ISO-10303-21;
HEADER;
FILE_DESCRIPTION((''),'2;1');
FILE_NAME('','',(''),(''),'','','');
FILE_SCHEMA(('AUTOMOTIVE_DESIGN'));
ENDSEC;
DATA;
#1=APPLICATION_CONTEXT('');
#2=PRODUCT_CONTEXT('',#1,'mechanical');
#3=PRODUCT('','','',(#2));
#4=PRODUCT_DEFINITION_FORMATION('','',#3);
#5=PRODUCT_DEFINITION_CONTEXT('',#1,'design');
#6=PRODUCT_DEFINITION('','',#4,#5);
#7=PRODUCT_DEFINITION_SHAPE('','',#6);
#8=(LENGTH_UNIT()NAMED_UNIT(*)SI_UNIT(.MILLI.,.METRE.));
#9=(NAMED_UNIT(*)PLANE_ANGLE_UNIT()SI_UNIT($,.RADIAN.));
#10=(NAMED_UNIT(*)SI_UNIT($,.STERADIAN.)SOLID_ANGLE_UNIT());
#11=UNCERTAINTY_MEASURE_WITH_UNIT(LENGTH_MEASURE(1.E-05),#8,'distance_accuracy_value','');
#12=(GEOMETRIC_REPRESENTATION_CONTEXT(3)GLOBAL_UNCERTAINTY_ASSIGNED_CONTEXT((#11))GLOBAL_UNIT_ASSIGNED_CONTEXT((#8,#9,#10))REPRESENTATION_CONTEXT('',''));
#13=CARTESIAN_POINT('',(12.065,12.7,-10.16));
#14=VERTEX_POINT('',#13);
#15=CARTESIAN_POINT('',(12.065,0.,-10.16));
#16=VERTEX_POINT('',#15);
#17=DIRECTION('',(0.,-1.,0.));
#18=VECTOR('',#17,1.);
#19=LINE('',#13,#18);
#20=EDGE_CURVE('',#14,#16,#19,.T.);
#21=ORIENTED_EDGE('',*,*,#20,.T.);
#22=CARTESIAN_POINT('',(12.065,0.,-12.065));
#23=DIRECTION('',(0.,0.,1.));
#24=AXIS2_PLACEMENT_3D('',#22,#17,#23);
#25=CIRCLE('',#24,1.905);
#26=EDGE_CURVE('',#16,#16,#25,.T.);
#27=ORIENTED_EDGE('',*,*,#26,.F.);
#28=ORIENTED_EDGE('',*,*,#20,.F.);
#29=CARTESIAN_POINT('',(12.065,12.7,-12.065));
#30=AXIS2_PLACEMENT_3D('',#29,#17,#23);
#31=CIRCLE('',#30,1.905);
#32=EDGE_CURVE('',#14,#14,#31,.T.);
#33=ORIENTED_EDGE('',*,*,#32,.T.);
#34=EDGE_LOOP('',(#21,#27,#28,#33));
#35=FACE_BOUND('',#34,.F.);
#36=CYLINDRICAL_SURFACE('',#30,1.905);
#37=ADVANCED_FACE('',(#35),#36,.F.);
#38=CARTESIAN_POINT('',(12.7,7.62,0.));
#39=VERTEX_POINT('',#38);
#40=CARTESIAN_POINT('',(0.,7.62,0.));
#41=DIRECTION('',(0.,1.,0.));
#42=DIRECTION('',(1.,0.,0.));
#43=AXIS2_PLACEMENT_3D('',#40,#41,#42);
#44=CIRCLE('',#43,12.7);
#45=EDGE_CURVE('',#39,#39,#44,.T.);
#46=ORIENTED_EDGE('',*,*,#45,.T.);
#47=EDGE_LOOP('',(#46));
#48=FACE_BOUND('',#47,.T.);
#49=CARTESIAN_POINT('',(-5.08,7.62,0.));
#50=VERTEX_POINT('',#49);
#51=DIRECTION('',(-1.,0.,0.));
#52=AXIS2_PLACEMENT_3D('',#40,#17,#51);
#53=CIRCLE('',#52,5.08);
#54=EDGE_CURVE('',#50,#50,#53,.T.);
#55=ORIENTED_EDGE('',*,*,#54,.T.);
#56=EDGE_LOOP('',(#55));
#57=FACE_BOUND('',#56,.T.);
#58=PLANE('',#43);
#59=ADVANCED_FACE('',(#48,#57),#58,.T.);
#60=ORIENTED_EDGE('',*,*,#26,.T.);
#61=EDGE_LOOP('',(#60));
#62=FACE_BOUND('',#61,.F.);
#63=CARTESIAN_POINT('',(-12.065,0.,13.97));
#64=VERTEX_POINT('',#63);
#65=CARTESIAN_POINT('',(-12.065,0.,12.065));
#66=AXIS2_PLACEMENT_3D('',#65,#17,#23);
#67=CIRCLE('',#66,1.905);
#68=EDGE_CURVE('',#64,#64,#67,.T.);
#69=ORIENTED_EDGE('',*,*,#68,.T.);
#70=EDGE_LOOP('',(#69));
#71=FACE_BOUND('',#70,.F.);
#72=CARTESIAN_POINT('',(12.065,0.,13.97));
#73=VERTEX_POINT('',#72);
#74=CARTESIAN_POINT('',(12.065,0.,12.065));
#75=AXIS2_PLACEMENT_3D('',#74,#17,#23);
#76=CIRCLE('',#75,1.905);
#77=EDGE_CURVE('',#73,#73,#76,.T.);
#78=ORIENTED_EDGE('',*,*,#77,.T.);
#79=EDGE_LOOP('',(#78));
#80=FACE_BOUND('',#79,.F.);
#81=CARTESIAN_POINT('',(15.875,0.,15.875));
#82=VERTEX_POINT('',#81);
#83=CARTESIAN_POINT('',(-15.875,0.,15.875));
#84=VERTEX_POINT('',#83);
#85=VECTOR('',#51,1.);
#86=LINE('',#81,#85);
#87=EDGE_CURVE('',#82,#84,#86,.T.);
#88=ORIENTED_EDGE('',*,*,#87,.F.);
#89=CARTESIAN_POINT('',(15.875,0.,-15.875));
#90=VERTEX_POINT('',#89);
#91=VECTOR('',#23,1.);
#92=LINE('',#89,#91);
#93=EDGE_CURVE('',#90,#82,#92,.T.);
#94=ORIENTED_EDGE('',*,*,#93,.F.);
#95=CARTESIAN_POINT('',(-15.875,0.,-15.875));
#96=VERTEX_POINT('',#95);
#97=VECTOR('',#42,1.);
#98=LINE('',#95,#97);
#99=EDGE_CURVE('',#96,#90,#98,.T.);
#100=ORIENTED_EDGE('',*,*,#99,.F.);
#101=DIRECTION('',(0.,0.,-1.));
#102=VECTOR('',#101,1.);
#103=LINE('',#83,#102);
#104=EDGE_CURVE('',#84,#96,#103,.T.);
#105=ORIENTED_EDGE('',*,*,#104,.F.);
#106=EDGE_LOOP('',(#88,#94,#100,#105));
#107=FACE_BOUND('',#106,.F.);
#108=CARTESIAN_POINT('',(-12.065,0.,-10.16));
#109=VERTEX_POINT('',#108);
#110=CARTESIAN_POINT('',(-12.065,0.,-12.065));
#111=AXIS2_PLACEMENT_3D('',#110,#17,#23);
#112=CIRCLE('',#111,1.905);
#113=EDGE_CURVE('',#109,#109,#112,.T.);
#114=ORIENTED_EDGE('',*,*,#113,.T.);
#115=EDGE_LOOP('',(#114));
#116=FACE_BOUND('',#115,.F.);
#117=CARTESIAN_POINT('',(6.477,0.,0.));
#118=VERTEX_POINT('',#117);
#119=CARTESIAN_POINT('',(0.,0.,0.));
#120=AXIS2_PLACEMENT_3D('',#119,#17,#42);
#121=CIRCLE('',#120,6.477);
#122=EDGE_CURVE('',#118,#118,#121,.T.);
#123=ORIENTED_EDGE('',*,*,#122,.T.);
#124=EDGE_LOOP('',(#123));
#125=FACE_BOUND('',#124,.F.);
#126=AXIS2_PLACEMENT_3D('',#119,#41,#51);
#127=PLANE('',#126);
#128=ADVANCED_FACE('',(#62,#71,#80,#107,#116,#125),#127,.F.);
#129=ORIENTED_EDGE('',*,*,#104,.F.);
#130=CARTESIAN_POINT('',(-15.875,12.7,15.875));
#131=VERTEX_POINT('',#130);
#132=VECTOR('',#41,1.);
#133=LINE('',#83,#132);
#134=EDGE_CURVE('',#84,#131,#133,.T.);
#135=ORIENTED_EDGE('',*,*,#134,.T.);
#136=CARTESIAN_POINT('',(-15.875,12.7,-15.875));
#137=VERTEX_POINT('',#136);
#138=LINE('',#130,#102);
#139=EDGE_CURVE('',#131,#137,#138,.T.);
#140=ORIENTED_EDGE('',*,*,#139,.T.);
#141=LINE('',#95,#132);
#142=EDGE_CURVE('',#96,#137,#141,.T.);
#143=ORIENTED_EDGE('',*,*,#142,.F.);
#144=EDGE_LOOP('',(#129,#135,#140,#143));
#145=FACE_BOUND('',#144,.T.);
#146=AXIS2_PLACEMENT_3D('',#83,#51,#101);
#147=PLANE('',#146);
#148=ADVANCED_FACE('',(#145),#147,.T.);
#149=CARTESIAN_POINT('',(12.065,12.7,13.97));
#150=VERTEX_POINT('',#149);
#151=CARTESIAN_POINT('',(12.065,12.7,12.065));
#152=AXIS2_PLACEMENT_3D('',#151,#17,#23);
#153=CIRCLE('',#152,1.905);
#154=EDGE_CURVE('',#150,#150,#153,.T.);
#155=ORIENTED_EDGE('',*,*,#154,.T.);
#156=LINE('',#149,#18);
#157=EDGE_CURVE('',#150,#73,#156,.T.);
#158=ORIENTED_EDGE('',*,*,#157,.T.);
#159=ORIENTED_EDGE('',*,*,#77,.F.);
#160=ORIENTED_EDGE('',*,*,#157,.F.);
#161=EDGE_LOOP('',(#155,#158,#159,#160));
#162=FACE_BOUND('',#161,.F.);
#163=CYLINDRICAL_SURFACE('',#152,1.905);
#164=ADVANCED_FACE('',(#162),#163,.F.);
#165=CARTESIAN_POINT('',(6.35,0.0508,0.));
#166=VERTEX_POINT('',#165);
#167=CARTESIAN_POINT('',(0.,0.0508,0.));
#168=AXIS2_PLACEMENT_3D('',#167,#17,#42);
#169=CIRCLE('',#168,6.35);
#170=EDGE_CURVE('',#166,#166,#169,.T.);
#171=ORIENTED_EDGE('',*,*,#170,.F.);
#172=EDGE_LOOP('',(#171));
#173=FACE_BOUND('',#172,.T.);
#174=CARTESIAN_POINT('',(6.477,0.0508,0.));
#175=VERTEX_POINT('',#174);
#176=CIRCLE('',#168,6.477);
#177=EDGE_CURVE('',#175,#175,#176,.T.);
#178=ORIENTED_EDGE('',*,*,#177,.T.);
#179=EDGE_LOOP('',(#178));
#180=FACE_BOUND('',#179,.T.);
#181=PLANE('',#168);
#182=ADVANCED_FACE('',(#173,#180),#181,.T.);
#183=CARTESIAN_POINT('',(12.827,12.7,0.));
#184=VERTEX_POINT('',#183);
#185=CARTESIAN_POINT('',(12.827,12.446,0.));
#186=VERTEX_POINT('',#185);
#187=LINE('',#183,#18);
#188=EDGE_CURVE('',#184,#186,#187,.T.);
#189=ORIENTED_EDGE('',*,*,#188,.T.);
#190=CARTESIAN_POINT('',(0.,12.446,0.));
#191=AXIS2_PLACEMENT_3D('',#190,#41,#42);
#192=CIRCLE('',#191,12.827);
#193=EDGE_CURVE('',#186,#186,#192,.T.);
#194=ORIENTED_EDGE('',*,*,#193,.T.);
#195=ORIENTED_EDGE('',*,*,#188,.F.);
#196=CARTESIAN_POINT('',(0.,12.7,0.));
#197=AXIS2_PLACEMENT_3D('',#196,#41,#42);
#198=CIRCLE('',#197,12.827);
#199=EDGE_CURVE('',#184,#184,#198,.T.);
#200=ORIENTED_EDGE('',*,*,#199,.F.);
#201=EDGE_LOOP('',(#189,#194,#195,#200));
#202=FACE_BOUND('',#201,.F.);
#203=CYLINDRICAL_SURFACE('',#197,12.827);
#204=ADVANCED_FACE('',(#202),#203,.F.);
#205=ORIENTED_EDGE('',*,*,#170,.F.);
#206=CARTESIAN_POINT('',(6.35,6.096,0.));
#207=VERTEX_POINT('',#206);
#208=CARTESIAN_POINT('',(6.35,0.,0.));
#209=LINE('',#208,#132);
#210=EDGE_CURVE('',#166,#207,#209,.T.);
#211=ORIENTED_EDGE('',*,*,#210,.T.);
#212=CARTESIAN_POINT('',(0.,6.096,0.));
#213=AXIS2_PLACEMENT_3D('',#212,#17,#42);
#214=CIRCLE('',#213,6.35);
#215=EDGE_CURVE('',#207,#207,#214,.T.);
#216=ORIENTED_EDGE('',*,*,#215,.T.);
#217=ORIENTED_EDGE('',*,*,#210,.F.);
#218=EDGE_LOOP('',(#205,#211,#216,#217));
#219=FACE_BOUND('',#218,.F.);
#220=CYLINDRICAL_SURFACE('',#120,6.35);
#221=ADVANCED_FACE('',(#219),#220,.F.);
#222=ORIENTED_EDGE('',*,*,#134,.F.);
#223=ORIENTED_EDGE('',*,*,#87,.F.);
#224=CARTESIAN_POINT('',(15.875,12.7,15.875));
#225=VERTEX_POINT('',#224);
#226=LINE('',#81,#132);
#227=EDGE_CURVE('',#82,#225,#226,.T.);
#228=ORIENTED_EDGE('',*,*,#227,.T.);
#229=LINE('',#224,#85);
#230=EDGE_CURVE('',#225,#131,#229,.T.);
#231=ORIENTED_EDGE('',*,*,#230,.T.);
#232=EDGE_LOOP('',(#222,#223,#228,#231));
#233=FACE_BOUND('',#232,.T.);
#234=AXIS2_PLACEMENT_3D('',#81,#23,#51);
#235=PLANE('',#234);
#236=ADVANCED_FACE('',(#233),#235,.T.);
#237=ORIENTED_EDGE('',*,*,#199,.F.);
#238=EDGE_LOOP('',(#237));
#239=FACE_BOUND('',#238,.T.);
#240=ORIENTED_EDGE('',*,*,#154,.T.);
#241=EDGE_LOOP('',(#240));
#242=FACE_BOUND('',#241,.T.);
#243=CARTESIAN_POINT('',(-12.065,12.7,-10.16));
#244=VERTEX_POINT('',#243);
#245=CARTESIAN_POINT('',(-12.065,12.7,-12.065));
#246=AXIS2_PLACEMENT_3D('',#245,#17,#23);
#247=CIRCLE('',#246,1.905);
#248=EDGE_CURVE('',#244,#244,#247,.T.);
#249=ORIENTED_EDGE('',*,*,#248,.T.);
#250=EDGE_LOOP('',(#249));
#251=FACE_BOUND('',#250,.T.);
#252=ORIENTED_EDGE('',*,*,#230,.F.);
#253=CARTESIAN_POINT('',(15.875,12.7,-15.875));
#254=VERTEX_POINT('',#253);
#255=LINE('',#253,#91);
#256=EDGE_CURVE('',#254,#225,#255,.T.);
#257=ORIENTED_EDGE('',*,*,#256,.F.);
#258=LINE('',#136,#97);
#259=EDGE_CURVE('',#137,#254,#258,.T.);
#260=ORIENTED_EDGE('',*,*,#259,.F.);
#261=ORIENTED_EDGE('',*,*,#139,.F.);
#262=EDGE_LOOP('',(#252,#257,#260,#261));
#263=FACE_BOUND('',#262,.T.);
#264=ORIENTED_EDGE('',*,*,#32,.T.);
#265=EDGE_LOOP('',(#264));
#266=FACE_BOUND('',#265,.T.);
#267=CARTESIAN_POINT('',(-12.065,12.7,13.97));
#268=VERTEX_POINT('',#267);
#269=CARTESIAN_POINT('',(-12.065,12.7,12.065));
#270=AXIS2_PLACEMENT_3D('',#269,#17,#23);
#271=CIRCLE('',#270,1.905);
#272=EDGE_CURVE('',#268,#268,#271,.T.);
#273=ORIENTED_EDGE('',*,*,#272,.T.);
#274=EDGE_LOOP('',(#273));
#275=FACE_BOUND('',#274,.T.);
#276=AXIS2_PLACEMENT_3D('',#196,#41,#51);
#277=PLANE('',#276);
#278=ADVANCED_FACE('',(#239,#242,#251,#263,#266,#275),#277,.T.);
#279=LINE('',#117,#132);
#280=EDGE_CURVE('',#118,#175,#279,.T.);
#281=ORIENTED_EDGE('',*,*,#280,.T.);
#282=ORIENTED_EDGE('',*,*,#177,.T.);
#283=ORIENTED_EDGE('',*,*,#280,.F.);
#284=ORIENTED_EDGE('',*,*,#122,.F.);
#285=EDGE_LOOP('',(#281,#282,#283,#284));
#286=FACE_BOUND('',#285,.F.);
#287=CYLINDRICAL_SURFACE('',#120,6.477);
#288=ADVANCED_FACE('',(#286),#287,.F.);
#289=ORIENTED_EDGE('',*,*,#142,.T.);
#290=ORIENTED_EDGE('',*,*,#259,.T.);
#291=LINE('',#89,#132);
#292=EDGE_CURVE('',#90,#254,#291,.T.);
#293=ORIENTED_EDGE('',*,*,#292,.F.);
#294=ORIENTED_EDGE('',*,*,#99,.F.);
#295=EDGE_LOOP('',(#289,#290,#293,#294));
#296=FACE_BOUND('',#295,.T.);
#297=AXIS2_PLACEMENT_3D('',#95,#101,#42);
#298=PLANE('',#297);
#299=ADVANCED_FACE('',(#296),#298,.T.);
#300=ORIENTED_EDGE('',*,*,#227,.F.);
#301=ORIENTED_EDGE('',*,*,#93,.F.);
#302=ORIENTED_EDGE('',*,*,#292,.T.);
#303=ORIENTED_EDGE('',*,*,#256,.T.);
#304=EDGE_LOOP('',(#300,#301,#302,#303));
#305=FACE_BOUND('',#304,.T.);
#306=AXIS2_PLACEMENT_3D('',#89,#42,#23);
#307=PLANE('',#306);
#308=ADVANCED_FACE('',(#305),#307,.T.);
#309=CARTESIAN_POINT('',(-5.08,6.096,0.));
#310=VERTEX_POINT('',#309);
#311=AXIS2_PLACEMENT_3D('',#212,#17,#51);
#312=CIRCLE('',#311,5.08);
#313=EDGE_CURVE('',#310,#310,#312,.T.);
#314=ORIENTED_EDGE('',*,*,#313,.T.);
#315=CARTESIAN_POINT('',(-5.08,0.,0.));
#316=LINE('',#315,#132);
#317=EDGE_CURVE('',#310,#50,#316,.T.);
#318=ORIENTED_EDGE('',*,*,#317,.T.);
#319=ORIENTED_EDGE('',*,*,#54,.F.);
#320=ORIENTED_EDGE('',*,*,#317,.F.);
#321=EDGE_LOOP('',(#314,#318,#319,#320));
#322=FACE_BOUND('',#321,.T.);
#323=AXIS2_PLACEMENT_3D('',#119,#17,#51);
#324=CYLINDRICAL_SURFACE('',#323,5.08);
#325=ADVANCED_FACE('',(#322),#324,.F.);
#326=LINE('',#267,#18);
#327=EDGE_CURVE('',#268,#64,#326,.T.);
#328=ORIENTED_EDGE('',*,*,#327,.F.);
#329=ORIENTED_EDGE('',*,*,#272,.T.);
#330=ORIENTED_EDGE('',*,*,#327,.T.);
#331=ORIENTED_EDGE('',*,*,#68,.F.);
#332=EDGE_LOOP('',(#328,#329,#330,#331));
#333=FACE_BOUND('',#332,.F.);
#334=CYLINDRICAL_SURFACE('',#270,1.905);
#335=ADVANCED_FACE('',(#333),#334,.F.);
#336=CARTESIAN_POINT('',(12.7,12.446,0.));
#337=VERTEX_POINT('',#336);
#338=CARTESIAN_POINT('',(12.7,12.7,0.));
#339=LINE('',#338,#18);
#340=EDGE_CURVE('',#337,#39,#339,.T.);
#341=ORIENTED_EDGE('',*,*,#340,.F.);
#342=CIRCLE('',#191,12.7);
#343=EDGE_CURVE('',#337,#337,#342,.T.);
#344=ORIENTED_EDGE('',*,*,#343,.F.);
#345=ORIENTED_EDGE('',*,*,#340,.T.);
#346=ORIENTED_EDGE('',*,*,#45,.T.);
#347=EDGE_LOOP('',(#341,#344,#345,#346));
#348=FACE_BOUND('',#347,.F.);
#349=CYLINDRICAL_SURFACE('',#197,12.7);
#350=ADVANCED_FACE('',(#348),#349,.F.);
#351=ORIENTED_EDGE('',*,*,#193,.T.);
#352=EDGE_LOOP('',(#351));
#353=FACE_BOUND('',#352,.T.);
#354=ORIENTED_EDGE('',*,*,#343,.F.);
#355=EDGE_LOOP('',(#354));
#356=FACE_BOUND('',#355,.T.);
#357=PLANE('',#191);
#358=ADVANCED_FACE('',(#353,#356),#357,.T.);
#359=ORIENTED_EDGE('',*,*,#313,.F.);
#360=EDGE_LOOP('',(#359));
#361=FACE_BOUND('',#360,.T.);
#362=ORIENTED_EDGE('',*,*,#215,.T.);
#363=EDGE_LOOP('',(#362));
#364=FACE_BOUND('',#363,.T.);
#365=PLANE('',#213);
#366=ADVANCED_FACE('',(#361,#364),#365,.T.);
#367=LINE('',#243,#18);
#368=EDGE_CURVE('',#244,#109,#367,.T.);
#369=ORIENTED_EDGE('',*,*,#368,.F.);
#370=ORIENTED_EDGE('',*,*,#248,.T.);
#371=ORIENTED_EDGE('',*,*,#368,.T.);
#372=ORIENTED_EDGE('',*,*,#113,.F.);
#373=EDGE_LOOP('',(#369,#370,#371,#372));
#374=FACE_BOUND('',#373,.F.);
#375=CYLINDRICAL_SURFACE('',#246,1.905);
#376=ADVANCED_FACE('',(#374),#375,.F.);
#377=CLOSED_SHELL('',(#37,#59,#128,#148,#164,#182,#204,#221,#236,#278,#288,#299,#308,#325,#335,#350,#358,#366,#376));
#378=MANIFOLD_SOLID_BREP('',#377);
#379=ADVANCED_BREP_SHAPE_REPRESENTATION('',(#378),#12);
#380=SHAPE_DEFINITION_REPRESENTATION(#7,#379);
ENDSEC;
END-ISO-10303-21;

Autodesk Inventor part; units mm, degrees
ref_plane "YZ Plane" through (0, 0, 0) normal (1, 0, 0) x (0, 1, 0)
ref_plane "XZ Plane" through (0, 0, 0) normal (0, 1, 0) x (-1, 0, 0)
ref_plane "XY Plane" through (0, 0, 0) normal (0, 0, 1) x (1, 0, 0)
sketch "Sketch1" plane through (0, 0, 0) normal (0, 1, 0) x (-1, 0, 0)
  circle A0 centre (0, 0) radius 5.08
  line L0 (-15.875, 15.875) -> (15.875, 15.875)
  line L1 (15.875, 15.875) -> (15.875, -15.875)
  line L2 (15.875, -15.875) -> (-15.875, -15.875)
  line L3 (-15.875, -15.875) -> (-15.875, 15.875)
  line L4 (-15.875, 15.875) -> (15.875, -15.875) construction
  line L5 (15.875, 15.875) -> (-15.875, -15.875) construction
  dimension "d0" = 10.16
  dimension "d1" = 31.75
  dimension "d2" = 31.75
extrude "Extrusion1" add sketch "Sketch1" along normal blind 12.7
sketch "Sketch2" plane through (0, 12.7, 0) normal (0, 1, 0) x (1, 0, 0)
  circle A0 centre (0, 0) radius 12.7
  dimension "d5" = 25.4
extrude "Extrusion2" cut sketch "Sketch2" against normal blind 5.08
sketch "Sketch3" plane through (0, 12.7, 0) normal (0, 1, 0) x (1, 0, 0)
  line L0 (-12.065, 12.065) -> (12.065, 12.065) construction
  line L1 (12.065, 12.065) -> (12.065, -12.065) construction
  line L2 (12.065, -12.065) -> (-12.065, -12.065) construction
  line L3 (-12.065, -12.065) -> (-12.065, 12.065) construction
  line L4 (-12.065, 12.065) -> (12.065, -12.065) construction
  line L5 (12.065, 12.065) -> (-12.065, -12.065) construction
  line L6 (15.875, -15.875) -> (15.875, 15.875) projected
  line L7 (-15.875, -15.875) -> (15.875, -15.875) projected
  point P0 (0, 0)
  dimension "d8" = 3.81
  dimension "d9" = 3.81
hole "Hole1" at (12.065, 12.7, 12.065) at (-12.065, 12.7, 12.065) at (-12.065, 12.7, -12.065) at (12.065, 12.7, -12.065) direction (0, -1, 0) diameter 3.81 end through all clearance for "Flat Head Machine Screw (82)" size "#6" standard "Ansi Unified Screw Threads"
sketch "Sketch4" plane through (0, 12.7, 0) normal (0, 1, 0) x (1, 0, 0)
  circle A0 centre (0, 0) radius 12.827
  dimension "d17" = 25.654
extrude "Extrusion3" cut sketch "Sketch4" against normal blind 0.254
sketch "Sketch5" plane through (0, 0, 0) normal (0, -1, 0) x (1, 0, 0)
  circle A0 centre (0, 0) radius 6.477
  dimension "d20" = 12.954
extrude "Extrusion4" cut sketch "Sketch5" against normal blind 0.0508
sketch "Sketch6" plane through (0, 0, 0) normal (0, -1, 0) x (1, 0, 0)
  circle A0 centre (0, 0) radius 6.35
  dimension "d23" = 12.7
extrude "Extrusion5" cut sketch "Sketch6" against normal blind 6.096
properties part number "silverSolderJoint" material "Copper"
